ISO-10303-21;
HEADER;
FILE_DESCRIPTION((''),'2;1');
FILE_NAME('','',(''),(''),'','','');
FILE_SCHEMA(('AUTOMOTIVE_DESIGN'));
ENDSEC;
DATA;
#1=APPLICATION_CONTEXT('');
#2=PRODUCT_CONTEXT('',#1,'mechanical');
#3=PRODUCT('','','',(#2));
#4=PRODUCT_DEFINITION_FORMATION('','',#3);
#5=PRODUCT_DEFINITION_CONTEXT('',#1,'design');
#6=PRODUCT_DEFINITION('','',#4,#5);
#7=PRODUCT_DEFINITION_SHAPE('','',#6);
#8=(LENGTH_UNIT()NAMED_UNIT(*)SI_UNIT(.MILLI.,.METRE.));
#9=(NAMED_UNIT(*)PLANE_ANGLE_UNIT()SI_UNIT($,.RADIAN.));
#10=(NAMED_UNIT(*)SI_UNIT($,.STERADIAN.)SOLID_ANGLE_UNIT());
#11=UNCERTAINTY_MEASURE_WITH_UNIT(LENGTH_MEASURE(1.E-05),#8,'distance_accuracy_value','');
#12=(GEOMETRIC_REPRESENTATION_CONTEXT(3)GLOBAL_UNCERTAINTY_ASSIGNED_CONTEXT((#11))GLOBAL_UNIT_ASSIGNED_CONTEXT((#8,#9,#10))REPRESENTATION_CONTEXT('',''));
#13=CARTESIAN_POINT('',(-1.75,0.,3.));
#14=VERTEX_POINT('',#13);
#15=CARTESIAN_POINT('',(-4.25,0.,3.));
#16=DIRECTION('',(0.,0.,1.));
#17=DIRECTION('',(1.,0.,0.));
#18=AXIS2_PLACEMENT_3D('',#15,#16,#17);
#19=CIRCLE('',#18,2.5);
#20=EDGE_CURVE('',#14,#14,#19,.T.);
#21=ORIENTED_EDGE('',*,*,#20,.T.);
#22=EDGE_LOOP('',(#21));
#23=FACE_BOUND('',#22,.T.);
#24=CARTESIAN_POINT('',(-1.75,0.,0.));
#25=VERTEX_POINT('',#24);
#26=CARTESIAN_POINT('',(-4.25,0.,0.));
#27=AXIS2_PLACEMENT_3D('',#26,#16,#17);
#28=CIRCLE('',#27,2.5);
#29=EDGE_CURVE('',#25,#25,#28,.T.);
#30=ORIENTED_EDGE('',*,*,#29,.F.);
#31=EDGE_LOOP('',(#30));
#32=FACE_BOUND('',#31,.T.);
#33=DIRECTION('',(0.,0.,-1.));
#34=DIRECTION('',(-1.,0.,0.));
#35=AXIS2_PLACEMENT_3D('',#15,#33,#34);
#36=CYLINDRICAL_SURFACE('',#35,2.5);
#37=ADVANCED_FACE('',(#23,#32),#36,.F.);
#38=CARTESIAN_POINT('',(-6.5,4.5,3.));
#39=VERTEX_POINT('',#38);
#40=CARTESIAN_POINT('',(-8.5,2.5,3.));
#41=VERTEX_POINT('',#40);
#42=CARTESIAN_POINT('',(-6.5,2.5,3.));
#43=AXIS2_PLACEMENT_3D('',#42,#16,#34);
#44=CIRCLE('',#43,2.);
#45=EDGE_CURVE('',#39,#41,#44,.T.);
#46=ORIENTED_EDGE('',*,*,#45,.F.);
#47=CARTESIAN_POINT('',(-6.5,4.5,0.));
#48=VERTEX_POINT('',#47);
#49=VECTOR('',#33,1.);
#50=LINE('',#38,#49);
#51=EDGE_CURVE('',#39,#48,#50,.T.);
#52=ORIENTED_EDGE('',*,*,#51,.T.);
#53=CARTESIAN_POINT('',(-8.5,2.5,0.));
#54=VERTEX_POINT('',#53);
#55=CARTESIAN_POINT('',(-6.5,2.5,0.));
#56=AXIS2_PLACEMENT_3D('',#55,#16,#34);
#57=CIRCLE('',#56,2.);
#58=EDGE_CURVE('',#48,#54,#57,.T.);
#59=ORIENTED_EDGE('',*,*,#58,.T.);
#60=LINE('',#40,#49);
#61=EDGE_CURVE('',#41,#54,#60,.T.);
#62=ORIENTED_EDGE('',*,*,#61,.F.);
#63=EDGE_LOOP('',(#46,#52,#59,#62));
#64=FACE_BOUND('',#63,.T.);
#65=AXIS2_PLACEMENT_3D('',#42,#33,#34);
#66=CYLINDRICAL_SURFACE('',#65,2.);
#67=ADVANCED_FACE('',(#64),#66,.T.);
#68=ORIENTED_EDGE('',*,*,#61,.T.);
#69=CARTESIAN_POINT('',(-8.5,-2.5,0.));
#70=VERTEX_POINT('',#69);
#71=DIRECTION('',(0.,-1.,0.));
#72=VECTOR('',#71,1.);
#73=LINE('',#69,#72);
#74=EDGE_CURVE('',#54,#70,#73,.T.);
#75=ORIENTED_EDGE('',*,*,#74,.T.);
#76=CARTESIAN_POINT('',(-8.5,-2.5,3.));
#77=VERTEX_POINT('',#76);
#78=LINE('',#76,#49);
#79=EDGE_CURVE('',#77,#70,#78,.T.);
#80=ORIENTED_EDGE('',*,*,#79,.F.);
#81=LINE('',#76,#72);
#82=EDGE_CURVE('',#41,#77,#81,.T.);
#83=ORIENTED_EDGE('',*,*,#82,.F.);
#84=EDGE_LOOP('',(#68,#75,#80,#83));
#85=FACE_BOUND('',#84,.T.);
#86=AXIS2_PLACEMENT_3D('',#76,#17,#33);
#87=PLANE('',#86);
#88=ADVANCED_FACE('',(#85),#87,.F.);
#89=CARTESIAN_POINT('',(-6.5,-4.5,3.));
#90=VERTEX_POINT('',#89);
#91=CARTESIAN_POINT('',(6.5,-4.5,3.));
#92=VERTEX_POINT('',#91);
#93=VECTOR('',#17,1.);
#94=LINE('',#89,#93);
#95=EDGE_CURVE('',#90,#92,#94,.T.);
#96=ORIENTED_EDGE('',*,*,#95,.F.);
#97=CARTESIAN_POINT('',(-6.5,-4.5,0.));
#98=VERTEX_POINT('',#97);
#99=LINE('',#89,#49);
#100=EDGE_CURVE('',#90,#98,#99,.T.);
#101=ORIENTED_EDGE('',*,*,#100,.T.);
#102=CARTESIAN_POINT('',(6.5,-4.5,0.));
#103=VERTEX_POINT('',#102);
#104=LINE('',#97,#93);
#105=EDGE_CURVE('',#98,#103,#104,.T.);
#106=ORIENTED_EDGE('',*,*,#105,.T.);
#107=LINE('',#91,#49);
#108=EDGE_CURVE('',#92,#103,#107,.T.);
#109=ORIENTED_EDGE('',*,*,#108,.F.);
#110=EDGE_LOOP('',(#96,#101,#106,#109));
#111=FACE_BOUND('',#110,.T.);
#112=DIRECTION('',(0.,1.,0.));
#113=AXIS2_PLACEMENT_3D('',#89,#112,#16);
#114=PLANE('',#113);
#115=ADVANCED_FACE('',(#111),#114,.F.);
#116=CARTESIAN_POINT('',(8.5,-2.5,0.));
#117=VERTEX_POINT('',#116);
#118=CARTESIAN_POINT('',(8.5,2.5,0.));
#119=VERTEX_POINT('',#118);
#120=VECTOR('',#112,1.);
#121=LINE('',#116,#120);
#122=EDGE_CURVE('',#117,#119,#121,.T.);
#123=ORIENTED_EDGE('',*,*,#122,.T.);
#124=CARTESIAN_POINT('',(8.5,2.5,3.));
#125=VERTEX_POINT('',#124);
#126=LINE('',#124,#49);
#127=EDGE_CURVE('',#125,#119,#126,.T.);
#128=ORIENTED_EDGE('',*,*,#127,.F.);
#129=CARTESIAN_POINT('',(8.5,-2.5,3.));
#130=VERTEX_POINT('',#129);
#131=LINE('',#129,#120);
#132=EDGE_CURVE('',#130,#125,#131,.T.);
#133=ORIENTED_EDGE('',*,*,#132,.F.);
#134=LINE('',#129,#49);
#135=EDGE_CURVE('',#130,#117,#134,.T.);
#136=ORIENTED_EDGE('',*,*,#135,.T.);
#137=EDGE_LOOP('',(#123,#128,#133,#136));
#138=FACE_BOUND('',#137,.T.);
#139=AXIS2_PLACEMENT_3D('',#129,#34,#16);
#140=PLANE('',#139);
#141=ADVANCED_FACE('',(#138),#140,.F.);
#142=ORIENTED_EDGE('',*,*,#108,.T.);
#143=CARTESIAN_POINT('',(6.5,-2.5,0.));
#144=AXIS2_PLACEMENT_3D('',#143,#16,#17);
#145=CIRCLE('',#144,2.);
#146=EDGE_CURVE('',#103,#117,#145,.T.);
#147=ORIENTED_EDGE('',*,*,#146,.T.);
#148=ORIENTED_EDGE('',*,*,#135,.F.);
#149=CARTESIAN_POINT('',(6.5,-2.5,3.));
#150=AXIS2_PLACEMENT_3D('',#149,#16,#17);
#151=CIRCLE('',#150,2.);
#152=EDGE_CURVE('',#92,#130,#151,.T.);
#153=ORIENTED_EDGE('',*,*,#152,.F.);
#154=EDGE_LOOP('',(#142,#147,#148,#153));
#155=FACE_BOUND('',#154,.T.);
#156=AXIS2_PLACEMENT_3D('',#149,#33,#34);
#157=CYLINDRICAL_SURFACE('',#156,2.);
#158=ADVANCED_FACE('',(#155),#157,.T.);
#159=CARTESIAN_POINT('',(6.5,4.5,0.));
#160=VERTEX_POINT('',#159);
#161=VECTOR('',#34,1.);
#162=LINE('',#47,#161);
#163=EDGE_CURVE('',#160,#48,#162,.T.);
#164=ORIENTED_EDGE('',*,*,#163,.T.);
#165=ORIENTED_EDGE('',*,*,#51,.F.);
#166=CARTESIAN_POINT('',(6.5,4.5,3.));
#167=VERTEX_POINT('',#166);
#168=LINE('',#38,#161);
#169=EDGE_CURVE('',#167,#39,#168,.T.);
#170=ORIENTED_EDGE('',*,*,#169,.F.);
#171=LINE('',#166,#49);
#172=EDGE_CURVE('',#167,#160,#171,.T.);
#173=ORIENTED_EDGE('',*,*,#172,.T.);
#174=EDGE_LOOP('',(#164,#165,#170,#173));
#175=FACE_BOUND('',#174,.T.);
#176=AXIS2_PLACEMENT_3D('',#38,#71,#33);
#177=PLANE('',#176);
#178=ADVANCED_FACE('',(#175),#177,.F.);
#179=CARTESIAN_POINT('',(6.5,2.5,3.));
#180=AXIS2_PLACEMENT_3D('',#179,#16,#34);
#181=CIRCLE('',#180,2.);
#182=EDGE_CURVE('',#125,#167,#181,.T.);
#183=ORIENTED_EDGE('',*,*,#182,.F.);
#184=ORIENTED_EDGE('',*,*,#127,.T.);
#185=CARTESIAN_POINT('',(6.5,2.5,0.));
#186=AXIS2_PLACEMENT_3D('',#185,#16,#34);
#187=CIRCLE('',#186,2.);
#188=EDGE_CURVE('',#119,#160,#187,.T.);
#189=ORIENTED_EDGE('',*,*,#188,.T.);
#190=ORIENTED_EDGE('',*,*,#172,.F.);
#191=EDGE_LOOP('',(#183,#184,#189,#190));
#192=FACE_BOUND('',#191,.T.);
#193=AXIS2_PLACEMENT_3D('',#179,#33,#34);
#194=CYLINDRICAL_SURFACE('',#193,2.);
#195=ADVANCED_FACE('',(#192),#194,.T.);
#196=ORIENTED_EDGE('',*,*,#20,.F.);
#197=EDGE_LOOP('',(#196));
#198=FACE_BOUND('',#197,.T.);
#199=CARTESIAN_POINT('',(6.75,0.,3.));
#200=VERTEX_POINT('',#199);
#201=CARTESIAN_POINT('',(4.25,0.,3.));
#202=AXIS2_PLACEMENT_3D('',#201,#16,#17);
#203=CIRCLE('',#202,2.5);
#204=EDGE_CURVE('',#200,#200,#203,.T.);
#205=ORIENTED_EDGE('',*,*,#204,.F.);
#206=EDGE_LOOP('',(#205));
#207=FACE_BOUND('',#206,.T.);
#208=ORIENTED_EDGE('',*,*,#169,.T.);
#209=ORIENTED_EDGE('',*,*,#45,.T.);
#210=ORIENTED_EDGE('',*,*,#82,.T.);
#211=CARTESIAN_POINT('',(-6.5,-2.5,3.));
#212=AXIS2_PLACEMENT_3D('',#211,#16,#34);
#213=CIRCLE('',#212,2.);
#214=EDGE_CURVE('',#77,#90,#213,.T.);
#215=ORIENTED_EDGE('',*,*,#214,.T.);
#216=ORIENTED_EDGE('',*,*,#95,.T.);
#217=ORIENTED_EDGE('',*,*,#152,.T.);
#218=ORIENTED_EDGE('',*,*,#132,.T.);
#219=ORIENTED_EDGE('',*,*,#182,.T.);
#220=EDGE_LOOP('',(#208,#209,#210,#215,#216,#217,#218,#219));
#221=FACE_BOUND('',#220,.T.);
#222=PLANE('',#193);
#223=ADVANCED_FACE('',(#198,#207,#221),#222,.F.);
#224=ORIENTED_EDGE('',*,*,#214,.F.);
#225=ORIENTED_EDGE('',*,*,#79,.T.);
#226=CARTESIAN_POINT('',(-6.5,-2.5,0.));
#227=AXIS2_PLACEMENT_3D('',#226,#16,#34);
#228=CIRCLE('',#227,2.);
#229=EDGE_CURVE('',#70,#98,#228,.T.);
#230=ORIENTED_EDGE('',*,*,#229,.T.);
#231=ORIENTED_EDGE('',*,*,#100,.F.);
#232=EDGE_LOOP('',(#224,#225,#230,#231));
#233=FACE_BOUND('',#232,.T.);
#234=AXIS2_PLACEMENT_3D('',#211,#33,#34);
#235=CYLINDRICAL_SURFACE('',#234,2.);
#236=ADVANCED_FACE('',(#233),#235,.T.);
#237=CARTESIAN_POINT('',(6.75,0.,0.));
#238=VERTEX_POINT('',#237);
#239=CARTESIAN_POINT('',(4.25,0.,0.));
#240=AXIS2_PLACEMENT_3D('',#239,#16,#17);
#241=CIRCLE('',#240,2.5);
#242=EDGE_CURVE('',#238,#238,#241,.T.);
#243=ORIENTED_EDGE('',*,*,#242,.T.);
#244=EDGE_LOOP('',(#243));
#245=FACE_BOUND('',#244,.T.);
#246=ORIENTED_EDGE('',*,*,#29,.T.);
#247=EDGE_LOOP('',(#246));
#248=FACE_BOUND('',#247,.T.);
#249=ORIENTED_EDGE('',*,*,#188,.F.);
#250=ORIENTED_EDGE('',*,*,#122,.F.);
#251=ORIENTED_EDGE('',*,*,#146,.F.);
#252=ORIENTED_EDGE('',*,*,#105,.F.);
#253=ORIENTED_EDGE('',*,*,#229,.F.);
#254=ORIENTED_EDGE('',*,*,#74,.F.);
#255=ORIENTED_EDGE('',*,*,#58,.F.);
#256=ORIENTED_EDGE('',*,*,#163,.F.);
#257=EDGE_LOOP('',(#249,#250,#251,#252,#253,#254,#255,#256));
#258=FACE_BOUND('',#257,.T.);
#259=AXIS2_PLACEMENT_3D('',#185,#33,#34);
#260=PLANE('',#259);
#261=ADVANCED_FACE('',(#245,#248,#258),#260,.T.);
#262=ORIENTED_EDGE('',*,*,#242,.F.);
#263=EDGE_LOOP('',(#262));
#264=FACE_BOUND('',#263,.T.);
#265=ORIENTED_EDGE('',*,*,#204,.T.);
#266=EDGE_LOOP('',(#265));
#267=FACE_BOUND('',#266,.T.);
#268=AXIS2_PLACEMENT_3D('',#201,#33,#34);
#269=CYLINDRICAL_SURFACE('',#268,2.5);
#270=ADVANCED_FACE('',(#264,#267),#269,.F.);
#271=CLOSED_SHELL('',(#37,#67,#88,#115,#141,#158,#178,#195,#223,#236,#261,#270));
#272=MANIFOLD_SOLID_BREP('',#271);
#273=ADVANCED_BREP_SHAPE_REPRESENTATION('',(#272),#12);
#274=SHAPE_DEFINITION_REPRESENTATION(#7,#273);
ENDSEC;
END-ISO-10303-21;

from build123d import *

# Parameters (mm, degrees)
SKETCH1_R           = 2.5
BOSS_EXTRUDE1_DEPTH = 3


with BuildPart() as part:
    # Sketch1 → Boss-Extrude1 (new body)
    with BuildSketch(Plane.XY):
        with BuildLine():
            Line((-6.5, -4.5), (6.5, -4.5))
            ThreePointArc((6.5, -4.5), (7.914213562, -3.914213562), (8.5, -2.5))
            Line((8.5, -2.5), (8.5, 2.5))
            ThreePointArc((8.5, 2.5), (7.914213562, 3.914213562), (6.5, 4.5))
            Line((6.5, 4.5), (-6.5, 4.5))
            ThreePointArc((-6.5, 4.5), (-7.914213562, 3.914213562), (-8.5, 2.5))
            Line((-8.5, 2.5), (-8.5, -2.5))
            ThreePointArc((-8.5, -2.5), (-7.914213562, -3.914213562), (-6.5, -4.5))
        make_face()
        with Locations((-4.25, 0)):
            Circle(SKETCH1_R, mode=Mode.SUBTRACT)
        with Locations((4.25, 0)):
            Circle(SKETCH1_R, mode=Mode.SUBTRACT)
    extrude(amount=BOSS_EXTRUDE1_DEPTH)


solid = part.part
